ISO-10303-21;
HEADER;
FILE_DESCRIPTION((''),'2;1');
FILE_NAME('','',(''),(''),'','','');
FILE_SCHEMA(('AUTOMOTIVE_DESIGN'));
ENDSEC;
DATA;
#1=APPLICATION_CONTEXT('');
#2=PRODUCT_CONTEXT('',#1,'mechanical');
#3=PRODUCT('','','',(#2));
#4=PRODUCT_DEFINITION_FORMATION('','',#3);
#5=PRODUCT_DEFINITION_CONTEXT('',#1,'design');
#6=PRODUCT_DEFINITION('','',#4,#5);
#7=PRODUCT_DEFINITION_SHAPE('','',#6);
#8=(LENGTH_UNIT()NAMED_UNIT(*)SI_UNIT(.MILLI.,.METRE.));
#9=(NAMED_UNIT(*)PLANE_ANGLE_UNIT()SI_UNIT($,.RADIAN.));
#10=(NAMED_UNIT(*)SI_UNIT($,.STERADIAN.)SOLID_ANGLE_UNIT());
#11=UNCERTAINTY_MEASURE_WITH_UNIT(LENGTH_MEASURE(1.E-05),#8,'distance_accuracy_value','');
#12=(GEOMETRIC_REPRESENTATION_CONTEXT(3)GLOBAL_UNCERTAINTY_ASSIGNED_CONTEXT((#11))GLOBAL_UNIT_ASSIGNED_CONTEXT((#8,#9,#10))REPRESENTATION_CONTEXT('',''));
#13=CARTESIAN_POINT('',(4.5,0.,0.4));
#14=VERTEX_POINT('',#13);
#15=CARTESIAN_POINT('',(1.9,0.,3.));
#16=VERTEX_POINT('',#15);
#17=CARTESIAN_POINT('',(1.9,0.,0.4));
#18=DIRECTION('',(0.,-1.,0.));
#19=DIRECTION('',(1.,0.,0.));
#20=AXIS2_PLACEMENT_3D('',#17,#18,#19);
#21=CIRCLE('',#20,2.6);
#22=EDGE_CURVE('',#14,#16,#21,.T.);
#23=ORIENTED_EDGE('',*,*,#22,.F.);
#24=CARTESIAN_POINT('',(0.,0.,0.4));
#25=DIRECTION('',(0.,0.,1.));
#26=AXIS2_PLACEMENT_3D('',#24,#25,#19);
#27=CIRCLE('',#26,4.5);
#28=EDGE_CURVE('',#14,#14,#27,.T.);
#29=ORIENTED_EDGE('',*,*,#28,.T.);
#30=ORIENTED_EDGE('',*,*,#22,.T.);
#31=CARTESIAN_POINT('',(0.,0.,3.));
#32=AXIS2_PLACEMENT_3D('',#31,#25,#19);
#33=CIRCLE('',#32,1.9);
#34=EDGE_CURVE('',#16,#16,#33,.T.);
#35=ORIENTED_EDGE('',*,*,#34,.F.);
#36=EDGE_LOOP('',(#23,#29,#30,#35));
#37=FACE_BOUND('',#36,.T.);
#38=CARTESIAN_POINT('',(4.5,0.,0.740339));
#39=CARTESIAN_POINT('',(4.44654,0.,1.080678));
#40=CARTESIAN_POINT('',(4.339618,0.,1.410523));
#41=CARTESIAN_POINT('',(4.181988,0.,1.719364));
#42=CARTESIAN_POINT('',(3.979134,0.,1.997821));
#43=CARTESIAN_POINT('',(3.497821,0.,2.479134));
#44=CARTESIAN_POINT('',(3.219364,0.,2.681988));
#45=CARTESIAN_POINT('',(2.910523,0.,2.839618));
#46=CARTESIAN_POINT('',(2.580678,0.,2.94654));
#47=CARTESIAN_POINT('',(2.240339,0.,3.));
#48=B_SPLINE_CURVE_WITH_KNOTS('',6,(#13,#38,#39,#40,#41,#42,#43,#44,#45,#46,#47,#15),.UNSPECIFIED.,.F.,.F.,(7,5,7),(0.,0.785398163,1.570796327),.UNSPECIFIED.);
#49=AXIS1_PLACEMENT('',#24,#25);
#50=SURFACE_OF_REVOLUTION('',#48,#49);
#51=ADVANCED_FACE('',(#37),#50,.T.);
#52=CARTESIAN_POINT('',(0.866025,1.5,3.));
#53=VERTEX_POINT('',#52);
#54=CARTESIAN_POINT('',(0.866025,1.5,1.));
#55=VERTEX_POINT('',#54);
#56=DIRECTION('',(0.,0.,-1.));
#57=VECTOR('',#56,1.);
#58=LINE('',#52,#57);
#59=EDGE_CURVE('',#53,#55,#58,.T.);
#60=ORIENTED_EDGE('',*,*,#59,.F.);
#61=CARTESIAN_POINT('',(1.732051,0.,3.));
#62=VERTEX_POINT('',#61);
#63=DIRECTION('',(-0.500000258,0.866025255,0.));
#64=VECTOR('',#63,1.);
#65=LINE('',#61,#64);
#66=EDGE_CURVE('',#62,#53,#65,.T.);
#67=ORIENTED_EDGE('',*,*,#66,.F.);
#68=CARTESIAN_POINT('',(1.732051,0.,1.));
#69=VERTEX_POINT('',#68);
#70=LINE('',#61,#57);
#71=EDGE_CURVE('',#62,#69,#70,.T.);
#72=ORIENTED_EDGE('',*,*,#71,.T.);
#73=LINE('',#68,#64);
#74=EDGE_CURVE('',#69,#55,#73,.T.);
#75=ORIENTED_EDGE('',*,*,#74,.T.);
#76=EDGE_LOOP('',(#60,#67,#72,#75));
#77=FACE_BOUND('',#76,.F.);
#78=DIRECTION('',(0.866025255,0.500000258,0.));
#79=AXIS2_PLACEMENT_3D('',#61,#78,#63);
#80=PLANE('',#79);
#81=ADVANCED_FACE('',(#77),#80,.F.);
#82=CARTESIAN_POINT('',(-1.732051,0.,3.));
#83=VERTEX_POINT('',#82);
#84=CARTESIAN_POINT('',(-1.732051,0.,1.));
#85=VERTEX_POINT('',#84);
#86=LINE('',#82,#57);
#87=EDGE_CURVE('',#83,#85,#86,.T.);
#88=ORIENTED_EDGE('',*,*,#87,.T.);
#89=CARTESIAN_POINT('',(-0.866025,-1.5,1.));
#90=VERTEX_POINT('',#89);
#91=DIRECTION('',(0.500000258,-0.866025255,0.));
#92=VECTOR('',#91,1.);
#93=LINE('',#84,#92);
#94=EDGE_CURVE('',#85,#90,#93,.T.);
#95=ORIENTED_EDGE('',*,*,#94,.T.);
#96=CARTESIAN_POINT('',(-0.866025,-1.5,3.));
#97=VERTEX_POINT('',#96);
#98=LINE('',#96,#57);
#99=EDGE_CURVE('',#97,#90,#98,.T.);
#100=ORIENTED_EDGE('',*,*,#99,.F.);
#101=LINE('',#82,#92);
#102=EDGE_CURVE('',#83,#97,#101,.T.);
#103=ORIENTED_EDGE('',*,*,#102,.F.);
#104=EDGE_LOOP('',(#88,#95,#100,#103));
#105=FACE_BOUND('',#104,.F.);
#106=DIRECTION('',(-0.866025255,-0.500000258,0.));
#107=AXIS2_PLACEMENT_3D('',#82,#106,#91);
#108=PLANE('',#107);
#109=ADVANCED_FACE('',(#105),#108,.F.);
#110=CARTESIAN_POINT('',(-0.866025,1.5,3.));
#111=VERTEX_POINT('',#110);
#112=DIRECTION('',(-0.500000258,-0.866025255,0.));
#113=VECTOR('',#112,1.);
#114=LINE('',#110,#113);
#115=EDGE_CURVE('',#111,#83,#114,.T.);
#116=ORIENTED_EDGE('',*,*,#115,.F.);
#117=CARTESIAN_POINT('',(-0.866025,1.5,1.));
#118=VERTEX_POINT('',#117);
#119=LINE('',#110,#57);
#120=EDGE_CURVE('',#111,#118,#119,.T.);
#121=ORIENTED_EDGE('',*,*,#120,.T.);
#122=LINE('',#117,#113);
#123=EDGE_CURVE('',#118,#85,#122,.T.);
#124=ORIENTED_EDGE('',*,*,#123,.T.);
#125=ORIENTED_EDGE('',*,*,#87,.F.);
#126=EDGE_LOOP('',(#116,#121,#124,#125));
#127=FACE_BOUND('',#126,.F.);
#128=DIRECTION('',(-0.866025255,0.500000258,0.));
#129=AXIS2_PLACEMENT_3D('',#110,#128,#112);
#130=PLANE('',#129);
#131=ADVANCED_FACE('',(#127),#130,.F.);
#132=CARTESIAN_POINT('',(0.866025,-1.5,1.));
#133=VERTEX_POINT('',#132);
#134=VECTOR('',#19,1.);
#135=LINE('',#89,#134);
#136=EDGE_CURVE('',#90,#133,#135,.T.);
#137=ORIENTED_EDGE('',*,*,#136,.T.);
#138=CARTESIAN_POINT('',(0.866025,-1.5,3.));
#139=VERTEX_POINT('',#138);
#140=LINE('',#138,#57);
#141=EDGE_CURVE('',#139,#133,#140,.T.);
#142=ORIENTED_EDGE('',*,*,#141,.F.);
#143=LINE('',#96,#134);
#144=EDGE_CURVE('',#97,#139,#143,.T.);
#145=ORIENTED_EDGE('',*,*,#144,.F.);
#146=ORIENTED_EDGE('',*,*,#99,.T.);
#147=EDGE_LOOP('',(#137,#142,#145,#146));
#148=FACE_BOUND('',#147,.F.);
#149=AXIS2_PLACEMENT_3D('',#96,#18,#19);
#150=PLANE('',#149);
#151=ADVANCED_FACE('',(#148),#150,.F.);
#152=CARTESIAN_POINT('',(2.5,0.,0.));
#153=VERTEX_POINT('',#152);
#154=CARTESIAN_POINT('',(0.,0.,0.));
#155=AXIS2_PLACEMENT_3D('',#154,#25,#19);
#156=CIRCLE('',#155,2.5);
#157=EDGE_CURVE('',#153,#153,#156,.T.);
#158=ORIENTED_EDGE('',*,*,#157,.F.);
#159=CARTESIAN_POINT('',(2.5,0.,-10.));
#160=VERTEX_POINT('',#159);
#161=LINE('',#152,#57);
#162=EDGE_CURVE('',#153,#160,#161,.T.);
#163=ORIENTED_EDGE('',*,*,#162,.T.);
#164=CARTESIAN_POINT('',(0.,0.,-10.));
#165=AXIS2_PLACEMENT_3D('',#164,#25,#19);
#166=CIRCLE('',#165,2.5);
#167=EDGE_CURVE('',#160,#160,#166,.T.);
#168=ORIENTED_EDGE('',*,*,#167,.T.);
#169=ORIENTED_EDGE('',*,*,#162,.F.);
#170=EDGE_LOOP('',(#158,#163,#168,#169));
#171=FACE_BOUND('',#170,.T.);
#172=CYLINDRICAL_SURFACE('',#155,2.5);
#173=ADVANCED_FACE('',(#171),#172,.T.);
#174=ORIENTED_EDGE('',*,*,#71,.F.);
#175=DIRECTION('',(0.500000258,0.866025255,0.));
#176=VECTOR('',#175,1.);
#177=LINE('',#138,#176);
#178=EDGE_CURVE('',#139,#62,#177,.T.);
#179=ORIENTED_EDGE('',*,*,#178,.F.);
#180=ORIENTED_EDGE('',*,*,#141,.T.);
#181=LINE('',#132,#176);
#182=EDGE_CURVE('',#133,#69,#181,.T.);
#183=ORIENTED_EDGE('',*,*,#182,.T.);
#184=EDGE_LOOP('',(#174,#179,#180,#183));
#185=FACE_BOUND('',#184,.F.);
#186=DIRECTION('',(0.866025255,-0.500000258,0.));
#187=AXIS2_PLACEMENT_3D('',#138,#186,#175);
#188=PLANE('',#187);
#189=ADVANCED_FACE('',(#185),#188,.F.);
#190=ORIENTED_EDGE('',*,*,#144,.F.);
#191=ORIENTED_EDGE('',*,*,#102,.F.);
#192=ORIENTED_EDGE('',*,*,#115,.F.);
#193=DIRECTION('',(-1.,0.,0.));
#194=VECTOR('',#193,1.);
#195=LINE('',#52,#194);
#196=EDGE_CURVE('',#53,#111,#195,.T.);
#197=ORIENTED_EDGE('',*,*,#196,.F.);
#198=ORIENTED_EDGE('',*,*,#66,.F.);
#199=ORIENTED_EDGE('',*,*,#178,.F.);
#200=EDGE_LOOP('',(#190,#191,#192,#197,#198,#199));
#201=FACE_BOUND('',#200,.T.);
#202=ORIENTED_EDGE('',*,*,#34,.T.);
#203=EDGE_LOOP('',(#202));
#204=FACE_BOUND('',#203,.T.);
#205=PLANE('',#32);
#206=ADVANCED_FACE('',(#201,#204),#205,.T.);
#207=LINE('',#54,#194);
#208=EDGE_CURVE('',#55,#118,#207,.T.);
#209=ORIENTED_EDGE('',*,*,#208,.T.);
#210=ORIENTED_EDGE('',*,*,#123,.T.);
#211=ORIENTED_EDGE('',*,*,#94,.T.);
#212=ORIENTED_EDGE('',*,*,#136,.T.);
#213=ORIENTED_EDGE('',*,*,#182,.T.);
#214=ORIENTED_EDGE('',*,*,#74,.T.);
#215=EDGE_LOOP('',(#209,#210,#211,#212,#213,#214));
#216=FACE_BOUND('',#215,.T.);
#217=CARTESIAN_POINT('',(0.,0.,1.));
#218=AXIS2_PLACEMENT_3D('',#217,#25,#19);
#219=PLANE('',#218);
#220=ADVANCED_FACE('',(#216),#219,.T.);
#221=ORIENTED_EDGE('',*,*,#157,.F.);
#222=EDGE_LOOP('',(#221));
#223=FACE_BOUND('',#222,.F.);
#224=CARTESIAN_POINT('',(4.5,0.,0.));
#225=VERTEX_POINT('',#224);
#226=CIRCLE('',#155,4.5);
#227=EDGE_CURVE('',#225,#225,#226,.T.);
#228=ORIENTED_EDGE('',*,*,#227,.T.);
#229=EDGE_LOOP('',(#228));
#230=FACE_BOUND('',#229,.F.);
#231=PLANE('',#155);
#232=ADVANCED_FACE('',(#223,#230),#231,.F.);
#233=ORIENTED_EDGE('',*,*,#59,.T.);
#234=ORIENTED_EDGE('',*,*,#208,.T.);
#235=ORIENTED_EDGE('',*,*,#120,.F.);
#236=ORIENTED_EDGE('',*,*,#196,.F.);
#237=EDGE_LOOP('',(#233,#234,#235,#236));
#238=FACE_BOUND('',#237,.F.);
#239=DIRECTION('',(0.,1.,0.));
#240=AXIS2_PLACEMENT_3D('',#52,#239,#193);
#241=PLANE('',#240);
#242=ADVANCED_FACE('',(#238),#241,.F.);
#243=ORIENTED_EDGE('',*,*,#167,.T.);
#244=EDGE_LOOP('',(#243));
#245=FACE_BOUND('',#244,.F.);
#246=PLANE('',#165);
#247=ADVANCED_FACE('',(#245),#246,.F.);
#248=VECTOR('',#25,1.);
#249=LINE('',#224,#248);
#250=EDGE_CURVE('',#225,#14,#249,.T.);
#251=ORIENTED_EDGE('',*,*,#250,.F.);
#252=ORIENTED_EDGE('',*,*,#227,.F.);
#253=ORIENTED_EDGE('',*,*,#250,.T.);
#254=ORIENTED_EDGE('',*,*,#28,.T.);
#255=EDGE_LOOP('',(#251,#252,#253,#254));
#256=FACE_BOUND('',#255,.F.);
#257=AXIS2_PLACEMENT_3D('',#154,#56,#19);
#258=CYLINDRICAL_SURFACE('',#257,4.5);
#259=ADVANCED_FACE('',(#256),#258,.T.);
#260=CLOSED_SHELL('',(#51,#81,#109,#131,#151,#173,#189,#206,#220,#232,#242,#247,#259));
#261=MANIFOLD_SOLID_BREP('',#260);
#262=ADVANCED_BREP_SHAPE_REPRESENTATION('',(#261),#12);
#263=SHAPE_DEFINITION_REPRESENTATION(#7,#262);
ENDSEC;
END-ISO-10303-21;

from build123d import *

# Parameters (mm, degrees)
F0_R     = 2.5
F1_DEPTH = 10
F0_R_2   = 4.5
F2_DEPTH = 3
F3_R     = 2.6
F5_DEPTH = 2


with BuildPart() as f1:
    # F0 (on Top) → F1 (new body)
    with BuildSketch(Plane.XY):
        Circle(F0_R)
    extrude(amount=-F1_DEPTH)

    # F0 (on Top) → F2 (join)
    with BuildSketch(Plane.XY):
        Circle(F0_R_2)
        Circle(F0_R, mode=Mode.SUBTRACT)
        Circle(F0_R)
    extrude(amount=F2_DEPTH)

    # F3
    f3_edges = [f1.edges().sort_by_distance(p)[0] for p in [
        (-4.5, 0, 3),
    ]]
    fillet(f3_edges, radius=F3_R)

    # F4 (on face) → F5 (cut)
    with BuildSketch(Plane.XY.offset(3)):
        Polygon((-0.866025, -1.5), (0.866025, -1.5), (1.732051, 0), (0.866025, 1.5), (-0.866025, 1.5), (-1.732051, 0), align=None)
    extrude(amount=-F5_DEPTH, mode=Mode.SUBTRACT)


solid = f1.part
